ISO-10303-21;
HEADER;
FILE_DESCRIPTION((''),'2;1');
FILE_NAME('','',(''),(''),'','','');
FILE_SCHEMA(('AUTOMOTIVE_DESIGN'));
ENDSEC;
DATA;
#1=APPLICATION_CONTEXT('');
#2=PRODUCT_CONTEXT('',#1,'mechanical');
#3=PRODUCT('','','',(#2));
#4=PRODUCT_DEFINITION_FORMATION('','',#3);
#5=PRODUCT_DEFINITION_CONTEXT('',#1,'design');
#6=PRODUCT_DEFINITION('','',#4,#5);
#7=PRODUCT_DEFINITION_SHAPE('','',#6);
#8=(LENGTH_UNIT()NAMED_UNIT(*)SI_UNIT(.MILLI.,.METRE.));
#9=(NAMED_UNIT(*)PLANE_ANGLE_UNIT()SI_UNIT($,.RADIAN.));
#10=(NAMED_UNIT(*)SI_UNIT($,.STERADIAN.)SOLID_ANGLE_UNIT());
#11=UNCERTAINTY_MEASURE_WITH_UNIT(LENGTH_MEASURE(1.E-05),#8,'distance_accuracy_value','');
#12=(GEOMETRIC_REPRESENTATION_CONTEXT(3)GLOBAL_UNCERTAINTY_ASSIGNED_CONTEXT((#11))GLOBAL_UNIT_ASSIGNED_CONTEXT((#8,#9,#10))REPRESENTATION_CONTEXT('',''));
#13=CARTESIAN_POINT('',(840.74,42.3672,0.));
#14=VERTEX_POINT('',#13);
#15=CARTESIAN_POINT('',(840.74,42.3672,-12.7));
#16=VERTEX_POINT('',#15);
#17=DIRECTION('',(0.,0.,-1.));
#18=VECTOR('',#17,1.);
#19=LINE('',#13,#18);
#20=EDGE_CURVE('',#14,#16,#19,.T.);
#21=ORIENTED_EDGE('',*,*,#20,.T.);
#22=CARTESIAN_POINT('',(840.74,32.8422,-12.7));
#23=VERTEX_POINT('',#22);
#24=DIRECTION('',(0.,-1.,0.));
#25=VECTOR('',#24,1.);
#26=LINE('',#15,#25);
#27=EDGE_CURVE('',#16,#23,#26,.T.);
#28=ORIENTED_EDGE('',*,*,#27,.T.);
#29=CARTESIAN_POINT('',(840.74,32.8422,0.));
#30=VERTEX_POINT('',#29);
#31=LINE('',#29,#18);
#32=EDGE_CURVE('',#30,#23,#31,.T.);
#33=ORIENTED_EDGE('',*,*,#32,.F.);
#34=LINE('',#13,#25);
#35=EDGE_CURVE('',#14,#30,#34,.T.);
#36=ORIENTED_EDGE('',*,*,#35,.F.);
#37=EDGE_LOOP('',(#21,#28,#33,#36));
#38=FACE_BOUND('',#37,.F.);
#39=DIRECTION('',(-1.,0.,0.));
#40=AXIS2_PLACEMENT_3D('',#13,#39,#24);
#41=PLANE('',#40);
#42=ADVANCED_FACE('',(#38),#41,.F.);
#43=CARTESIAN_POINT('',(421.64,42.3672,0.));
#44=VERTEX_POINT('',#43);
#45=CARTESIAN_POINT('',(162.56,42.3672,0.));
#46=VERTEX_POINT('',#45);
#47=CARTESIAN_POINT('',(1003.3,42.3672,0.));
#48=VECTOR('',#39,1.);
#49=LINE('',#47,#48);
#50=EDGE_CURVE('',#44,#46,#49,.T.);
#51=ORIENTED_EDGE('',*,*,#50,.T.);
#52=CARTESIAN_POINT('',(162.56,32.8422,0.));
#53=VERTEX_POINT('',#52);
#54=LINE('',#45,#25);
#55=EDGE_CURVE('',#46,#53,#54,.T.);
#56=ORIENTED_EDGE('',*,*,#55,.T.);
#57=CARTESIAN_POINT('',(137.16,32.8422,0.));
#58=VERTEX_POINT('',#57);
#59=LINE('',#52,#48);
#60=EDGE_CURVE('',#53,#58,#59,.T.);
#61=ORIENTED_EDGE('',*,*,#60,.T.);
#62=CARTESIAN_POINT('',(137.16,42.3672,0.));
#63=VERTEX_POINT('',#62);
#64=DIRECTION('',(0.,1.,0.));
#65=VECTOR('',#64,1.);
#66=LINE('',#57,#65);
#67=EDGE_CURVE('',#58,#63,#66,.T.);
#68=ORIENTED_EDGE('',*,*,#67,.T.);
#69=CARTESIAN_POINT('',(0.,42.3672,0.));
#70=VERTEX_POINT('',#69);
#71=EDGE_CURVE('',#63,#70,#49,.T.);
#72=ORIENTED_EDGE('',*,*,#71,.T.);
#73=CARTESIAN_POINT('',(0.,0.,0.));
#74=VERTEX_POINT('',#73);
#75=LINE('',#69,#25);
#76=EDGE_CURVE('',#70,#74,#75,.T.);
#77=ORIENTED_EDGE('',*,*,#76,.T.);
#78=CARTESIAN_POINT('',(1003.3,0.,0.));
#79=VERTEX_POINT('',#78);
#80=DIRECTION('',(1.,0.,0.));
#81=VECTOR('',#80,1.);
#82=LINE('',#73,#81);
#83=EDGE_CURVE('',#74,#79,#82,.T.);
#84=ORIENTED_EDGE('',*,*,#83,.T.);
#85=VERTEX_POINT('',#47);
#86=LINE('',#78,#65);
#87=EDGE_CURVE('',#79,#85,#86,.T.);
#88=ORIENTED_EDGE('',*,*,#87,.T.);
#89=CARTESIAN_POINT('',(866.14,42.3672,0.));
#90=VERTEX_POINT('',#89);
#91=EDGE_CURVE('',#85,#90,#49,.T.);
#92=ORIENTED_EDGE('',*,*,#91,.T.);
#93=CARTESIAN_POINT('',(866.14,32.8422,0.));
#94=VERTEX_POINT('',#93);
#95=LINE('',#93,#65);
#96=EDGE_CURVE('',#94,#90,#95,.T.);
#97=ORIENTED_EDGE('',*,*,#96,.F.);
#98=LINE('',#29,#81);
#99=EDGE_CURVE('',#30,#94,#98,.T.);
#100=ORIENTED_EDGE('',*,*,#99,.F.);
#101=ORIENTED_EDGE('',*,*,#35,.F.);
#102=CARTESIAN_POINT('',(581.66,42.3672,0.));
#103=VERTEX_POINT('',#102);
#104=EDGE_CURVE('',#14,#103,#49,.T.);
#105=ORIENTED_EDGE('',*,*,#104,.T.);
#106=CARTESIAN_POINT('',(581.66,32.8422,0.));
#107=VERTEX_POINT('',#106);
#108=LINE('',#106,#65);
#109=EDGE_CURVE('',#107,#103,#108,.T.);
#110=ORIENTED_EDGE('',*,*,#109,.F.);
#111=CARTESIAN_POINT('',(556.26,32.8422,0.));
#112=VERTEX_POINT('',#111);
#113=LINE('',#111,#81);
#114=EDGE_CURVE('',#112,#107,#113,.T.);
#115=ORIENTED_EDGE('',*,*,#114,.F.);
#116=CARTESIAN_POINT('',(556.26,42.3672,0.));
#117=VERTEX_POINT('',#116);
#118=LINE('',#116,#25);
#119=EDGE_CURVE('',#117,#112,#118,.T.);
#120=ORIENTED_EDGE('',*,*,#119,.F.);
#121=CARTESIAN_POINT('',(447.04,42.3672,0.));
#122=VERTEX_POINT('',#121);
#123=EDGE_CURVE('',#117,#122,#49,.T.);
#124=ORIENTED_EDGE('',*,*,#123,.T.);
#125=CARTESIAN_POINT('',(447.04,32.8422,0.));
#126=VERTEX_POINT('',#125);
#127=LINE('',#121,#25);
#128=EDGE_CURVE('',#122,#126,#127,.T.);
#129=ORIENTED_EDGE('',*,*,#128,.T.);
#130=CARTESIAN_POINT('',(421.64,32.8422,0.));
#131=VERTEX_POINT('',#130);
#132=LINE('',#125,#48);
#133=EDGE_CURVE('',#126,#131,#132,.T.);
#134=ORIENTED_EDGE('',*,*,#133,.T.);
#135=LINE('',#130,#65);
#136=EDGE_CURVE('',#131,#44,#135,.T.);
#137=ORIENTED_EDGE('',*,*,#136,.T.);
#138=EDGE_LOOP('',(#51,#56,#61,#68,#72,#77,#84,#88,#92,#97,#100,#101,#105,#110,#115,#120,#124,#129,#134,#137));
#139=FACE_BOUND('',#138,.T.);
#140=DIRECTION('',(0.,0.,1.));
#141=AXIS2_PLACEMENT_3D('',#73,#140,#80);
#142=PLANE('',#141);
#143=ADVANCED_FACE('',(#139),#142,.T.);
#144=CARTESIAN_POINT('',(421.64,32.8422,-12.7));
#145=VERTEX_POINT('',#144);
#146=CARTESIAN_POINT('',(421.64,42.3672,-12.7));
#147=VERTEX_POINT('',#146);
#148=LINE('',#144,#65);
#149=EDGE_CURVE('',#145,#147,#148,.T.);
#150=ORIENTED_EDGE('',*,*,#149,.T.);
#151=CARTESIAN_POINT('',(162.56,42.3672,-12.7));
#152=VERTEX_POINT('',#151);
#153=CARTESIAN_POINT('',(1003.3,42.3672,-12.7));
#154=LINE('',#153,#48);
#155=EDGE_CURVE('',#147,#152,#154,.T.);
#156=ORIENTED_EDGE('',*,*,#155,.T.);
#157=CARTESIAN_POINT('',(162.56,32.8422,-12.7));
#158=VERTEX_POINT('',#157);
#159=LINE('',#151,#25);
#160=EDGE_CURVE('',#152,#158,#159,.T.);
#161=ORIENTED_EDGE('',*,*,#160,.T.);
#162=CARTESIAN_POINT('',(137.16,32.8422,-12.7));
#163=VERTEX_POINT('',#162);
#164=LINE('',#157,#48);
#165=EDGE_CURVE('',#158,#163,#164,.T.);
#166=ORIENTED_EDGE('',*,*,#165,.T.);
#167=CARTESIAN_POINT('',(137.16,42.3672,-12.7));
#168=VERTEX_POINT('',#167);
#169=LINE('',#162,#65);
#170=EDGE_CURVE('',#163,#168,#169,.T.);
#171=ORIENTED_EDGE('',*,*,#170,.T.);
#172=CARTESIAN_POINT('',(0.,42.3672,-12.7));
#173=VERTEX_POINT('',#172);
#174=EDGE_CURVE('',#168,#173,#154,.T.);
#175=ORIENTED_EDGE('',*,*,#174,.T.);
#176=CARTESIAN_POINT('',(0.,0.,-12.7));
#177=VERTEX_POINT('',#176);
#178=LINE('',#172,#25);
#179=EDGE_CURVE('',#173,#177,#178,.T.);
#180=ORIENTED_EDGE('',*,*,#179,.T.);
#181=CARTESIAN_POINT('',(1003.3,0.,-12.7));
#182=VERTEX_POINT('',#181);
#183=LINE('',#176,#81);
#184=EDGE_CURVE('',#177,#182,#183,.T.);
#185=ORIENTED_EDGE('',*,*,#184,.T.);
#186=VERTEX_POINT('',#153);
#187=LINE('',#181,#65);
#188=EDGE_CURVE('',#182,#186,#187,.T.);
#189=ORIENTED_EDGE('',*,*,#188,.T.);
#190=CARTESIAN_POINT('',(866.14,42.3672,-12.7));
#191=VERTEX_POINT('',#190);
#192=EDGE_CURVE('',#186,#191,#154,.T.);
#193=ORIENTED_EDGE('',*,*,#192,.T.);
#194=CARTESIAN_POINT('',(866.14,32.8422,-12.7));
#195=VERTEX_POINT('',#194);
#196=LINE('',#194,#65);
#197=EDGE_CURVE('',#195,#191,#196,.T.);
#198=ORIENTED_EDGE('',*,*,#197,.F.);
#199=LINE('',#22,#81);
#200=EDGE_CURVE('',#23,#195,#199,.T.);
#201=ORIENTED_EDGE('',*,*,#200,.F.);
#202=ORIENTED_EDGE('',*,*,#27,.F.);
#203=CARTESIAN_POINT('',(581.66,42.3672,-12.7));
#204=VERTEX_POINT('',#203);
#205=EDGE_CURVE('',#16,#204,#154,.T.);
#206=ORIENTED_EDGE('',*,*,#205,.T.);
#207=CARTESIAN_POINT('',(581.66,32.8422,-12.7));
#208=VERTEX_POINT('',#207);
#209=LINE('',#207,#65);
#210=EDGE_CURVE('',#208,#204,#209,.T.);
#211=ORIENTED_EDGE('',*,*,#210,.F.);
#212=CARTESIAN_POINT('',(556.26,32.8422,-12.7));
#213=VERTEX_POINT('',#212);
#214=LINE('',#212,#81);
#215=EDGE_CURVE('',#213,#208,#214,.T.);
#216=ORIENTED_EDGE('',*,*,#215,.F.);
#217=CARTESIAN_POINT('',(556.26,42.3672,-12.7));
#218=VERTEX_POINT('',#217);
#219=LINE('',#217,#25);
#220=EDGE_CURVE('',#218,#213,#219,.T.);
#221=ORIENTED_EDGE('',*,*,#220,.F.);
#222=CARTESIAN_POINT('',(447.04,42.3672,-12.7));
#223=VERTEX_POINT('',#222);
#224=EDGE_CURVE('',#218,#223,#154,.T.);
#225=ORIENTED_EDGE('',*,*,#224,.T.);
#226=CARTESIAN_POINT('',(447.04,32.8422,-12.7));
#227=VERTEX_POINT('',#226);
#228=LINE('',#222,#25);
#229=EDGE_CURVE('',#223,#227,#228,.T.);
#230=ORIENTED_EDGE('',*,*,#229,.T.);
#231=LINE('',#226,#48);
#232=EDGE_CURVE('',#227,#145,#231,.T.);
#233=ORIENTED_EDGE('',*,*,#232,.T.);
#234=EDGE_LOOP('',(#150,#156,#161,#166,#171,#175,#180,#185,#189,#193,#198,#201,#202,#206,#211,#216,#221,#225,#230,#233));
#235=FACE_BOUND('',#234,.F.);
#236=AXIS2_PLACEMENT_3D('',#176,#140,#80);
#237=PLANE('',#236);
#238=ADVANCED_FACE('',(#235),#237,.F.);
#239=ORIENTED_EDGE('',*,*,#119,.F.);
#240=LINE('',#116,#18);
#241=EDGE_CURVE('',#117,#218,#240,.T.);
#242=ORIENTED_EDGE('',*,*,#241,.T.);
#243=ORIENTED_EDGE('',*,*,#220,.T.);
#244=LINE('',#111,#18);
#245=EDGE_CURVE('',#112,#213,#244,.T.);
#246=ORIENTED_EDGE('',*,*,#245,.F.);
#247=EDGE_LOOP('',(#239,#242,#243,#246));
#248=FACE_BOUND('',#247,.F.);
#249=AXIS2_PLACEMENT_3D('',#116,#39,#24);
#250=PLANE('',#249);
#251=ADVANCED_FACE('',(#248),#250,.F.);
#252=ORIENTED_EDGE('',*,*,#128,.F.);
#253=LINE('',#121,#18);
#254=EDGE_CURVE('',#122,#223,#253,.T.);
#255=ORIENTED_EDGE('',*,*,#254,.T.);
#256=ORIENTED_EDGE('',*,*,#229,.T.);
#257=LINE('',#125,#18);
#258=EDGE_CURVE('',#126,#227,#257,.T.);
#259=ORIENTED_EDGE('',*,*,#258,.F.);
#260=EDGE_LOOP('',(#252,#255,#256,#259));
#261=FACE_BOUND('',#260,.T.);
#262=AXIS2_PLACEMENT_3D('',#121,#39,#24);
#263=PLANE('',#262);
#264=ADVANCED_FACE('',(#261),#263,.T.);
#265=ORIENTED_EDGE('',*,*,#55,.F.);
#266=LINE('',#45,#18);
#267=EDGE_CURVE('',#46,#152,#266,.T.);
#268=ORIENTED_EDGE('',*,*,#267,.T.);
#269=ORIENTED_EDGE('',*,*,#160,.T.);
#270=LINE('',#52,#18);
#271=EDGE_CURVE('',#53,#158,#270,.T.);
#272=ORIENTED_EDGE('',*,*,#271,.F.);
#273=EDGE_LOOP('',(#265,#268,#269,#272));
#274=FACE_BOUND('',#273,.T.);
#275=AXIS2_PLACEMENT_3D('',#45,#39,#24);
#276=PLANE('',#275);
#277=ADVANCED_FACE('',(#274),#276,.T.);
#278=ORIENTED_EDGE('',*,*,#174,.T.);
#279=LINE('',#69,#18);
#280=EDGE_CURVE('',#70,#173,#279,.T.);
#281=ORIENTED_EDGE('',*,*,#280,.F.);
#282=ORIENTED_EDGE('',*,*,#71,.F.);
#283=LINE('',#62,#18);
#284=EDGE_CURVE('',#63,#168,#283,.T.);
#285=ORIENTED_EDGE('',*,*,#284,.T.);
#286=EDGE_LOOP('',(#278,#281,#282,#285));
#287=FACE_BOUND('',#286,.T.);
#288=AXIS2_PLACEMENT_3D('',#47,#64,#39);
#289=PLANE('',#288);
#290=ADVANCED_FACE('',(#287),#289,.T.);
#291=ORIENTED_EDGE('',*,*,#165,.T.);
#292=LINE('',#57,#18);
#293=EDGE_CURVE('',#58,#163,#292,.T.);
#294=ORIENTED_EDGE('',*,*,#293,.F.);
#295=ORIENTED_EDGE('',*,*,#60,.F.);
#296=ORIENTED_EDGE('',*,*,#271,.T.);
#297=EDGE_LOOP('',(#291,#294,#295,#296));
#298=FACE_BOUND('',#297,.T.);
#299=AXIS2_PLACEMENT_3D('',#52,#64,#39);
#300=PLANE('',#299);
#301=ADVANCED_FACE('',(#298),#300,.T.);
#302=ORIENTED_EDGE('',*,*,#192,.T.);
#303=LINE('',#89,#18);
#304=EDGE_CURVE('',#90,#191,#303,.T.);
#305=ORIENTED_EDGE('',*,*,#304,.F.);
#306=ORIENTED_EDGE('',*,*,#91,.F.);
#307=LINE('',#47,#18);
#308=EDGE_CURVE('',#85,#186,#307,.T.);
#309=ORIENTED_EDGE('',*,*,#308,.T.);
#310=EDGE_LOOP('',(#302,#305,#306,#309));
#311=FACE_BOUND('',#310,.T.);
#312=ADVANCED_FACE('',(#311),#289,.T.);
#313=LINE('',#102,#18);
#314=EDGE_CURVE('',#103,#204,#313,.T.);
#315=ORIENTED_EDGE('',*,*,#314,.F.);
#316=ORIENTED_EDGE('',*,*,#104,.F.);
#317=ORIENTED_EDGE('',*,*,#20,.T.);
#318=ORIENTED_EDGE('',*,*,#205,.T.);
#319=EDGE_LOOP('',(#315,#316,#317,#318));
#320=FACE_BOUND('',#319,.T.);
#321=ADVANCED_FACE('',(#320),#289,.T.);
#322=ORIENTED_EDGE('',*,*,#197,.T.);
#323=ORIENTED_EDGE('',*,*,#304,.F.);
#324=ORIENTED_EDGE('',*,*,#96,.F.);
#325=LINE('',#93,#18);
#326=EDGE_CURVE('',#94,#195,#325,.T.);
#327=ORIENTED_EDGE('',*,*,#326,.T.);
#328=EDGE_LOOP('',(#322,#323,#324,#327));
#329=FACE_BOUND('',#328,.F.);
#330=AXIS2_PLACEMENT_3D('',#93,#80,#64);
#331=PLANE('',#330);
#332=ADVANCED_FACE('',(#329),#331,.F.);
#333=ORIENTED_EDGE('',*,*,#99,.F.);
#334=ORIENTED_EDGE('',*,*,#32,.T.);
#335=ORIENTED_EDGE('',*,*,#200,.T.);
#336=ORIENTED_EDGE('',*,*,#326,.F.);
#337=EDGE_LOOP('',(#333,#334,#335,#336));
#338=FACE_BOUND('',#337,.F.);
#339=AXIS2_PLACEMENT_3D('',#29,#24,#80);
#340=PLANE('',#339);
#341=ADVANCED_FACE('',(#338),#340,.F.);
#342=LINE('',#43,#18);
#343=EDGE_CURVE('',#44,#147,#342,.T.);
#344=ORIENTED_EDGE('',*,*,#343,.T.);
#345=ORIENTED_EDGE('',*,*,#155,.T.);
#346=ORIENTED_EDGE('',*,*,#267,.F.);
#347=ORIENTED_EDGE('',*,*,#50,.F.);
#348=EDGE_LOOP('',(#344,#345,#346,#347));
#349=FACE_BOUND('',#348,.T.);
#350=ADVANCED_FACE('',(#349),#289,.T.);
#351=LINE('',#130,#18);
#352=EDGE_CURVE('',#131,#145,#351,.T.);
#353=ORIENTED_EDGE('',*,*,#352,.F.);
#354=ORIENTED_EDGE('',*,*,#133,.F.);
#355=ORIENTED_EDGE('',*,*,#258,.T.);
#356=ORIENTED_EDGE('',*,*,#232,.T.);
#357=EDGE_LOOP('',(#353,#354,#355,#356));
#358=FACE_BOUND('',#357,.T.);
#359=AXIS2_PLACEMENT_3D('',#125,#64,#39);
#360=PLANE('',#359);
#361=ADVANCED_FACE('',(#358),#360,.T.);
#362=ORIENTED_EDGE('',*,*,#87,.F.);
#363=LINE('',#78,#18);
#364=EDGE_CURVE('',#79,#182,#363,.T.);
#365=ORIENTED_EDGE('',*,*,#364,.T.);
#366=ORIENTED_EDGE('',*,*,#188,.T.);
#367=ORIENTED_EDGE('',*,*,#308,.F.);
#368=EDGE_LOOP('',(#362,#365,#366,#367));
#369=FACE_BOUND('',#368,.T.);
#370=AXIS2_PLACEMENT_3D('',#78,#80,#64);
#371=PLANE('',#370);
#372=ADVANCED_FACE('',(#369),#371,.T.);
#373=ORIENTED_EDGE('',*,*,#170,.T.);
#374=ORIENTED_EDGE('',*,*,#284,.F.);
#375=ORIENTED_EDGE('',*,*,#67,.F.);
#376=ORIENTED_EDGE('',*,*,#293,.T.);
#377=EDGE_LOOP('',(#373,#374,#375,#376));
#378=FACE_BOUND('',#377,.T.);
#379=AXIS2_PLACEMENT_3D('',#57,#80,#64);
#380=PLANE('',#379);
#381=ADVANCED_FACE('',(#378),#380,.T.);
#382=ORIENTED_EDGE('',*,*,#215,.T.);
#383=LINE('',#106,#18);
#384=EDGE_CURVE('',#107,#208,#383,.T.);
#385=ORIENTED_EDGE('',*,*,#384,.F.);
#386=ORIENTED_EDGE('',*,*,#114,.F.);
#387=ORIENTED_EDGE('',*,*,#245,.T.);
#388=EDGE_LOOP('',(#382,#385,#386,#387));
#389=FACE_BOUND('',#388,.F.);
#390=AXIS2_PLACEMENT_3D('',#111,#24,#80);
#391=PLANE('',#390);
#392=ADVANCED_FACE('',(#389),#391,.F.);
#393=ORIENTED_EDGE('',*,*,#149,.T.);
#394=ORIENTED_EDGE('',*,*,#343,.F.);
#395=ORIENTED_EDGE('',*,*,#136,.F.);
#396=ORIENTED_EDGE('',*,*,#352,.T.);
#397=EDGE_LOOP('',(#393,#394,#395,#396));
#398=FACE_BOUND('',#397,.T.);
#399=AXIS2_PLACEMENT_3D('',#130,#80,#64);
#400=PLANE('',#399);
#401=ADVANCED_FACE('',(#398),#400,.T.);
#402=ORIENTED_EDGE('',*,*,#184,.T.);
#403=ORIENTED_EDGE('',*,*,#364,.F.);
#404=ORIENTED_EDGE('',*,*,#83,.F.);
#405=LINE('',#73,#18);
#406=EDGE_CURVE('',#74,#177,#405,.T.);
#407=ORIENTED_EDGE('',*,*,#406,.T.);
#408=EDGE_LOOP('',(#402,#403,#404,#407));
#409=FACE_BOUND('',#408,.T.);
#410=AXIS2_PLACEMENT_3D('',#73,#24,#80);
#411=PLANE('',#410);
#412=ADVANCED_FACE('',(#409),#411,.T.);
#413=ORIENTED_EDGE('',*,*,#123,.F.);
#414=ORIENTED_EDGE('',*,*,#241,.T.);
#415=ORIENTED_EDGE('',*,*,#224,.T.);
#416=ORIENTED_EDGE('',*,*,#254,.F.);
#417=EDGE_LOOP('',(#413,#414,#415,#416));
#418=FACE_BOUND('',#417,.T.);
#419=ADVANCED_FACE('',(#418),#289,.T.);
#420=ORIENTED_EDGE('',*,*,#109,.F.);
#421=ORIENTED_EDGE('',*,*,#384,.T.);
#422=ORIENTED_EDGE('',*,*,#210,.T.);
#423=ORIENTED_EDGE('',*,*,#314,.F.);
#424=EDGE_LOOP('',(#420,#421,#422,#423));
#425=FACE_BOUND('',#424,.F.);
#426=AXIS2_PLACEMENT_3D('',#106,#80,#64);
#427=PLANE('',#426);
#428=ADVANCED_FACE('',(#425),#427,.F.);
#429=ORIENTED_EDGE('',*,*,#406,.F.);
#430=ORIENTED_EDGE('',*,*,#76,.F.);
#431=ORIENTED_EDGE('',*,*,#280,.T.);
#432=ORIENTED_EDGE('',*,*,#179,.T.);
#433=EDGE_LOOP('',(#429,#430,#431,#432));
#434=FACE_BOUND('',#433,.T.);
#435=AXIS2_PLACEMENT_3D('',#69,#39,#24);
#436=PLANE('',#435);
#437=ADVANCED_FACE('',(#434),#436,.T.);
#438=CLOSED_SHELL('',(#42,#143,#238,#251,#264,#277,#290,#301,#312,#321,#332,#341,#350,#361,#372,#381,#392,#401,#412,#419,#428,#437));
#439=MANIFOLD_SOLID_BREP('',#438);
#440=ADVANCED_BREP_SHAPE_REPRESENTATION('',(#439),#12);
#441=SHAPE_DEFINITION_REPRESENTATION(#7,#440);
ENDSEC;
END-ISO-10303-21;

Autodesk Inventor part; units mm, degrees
ref_plane "YZ Plane" through (0, 0, 0) normal (1, 0, 0) x (0, 1, 0)
ref_plane "XZ Plane" through (0, 0, 0) normal (0, 1, 0) x (-1, 0, 0)
ref_plane "XY Plane" through (0, 0, 0) normal (0, 0, 1) x (1, 0, 0)
sketch "Sketch1" plane through (0, 0, 0) normal (0, 0, 1) x (1, 0, 0)
  line L0 (0, 0) -> (1003.3, 0)
  line L1 (1003.3, 0) -> (1003.3, 42.3672)
  line L2 (1003.3, 42.3672) -> (0, 42.3672)
  line L3 (0, 42.3672) -> (0, 0)
  dimension "d0" = 42.3672
  dimension "d1" = 1003.3
extrude "Extrusion1" add sketch "Sketch1" against normal blind 12.7
sketch "Sketch2" plane through (0, 0, 0) normal (0, 0, 1) x (1, 0, 0)
  line L0 (1003.3, 0) -> (1003.3, 42.3672) projected
  line L1 (1003.3, 42.3672) -> (0, 42.3672) projected
  line L2 (0, 42.3672) -> (0, 0) projected
  line L3 (137.16, 42.3672) -> (162.56, 42.3672)
  line L4 (162.56, 42.3672) -> (162.56, 32.8422)
  line L5 (162.56, 32.8422) -> (137.16, 32.8422)
  line L6 (137.16, 32.8422) -> (137.16, 42.3672)
  line L7 (866.14, 42.3672) -> (840.74, 42.3672)
  line L8 (840.74, 42.3672) -> (840.74, 32.8422)
  line L9 (840.74, 32.8422) -> (866.14, 32.8422)
  line L10 (866.14, 32.8422) -> (866.14, 42.3672)
  line L11 (421.64, 42.3672) -> (447.04, 42.3672)
  line L12 (447.04, 42.3672) -> (447.04, 32.8422)
  line L13 (447.04, 32.8422) -> (421.64, 32.8422)
  line L14 (421.64, 32.8422) -> (421.64, 42.3672)
  line L15 (581.66, 42.3672) -> (556.26, 42.3672)
  line L16 (556.26, 42.3672) -> (556.26, 32.8422)
  line L17 (556.26, 32.8422) -> (581.66, 32.8422)
  line L18 (581.66, 32.8422) -> (581.66, 42.3672)
  dimension "d4" = 9.525
  dimension "d5" = 25.4
  dimension "d6" = 137.16
  dimension "d7" = 137.16
  dimension "d8" = 25.4
  dimension "d9" = 9.525
  dimension "d12" = 421.64
  dimension "d13" = 25.4
  dimension "d14" = 9.525
  dimension "d15" = 421.64
  dimension "d16" = 25.4
  dimension "d17" = 9.525
extrude "Extrusion3" cut sketch "Sketch2" against normal blind 12.7
properties part number "spacer 2"
